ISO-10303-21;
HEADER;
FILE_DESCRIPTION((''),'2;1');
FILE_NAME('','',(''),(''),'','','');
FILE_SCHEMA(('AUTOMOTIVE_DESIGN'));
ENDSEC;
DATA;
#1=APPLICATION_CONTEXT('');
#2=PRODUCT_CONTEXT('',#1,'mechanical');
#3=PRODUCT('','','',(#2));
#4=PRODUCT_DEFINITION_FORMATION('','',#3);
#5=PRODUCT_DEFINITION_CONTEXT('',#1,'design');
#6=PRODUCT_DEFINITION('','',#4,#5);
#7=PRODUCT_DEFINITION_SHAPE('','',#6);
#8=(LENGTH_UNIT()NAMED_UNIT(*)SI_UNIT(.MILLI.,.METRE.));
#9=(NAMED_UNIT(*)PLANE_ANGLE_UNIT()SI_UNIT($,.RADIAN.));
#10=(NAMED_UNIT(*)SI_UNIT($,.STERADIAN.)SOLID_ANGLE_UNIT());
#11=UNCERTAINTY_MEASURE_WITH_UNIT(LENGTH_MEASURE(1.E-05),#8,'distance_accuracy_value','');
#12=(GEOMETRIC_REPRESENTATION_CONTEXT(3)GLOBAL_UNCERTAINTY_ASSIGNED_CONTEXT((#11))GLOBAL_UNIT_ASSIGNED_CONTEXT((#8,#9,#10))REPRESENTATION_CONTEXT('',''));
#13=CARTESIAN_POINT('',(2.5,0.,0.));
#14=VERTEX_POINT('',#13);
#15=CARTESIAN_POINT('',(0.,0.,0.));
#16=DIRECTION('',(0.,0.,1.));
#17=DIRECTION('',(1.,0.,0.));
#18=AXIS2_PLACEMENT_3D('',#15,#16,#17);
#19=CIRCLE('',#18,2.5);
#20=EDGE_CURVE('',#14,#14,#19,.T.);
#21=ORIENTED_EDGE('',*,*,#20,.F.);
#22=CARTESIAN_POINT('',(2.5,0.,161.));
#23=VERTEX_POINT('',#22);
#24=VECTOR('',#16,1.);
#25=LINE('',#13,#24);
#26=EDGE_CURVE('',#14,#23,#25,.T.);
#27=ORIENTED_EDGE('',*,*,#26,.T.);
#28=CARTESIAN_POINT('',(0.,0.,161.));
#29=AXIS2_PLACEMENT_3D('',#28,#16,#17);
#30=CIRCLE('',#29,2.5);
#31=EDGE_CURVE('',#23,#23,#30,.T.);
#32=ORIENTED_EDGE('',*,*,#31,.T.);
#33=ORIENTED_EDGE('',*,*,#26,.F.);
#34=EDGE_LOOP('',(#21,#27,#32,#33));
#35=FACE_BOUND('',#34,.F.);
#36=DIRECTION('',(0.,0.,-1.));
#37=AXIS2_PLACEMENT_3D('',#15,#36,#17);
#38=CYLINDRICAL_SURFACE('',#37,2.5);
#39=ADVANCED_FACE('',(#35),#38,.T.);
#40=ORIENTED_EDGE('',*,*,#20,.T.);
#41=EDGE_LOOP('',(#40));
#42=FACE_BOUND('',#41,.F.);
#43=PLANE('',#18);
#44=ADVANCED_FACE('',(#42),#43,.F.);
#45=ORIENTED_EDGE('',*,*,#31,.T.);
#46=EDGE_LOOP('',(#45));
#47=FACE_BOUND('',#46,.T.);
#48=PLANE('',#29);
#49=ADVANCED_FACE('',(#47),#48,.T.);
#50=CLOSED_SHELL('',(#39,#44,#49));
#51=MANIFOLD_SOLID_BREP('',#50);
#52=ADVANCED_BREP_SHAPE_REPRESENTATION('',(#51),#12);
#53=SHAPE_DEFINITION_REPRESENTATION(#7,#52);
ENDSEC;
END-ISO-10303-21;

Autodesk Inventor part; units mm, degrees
ref_plane "YZ Plane" through (0, 0, 0) normal (1, 0, 0) x (0, 1, 0)
ref_plane "XZ Plane" through (0, 0, 0) normal (0, 1, 0) x (-1, 0, 0)
ref_plane "XY Plane" through (0, 0, 0) normal (0, 0, 1) x (1, 0, 0)
sketch "Sketch1" plane through (0, 0, 0) normal (0, 0, 1) x (1, 0, 0)
  circle A0 centre (0, 0) radius 2.5
  dimension "d0" = 5
extrude "Extrusion1" add sketch "Sketch1" along normal blind 161
properties part number "rod_connecting"
